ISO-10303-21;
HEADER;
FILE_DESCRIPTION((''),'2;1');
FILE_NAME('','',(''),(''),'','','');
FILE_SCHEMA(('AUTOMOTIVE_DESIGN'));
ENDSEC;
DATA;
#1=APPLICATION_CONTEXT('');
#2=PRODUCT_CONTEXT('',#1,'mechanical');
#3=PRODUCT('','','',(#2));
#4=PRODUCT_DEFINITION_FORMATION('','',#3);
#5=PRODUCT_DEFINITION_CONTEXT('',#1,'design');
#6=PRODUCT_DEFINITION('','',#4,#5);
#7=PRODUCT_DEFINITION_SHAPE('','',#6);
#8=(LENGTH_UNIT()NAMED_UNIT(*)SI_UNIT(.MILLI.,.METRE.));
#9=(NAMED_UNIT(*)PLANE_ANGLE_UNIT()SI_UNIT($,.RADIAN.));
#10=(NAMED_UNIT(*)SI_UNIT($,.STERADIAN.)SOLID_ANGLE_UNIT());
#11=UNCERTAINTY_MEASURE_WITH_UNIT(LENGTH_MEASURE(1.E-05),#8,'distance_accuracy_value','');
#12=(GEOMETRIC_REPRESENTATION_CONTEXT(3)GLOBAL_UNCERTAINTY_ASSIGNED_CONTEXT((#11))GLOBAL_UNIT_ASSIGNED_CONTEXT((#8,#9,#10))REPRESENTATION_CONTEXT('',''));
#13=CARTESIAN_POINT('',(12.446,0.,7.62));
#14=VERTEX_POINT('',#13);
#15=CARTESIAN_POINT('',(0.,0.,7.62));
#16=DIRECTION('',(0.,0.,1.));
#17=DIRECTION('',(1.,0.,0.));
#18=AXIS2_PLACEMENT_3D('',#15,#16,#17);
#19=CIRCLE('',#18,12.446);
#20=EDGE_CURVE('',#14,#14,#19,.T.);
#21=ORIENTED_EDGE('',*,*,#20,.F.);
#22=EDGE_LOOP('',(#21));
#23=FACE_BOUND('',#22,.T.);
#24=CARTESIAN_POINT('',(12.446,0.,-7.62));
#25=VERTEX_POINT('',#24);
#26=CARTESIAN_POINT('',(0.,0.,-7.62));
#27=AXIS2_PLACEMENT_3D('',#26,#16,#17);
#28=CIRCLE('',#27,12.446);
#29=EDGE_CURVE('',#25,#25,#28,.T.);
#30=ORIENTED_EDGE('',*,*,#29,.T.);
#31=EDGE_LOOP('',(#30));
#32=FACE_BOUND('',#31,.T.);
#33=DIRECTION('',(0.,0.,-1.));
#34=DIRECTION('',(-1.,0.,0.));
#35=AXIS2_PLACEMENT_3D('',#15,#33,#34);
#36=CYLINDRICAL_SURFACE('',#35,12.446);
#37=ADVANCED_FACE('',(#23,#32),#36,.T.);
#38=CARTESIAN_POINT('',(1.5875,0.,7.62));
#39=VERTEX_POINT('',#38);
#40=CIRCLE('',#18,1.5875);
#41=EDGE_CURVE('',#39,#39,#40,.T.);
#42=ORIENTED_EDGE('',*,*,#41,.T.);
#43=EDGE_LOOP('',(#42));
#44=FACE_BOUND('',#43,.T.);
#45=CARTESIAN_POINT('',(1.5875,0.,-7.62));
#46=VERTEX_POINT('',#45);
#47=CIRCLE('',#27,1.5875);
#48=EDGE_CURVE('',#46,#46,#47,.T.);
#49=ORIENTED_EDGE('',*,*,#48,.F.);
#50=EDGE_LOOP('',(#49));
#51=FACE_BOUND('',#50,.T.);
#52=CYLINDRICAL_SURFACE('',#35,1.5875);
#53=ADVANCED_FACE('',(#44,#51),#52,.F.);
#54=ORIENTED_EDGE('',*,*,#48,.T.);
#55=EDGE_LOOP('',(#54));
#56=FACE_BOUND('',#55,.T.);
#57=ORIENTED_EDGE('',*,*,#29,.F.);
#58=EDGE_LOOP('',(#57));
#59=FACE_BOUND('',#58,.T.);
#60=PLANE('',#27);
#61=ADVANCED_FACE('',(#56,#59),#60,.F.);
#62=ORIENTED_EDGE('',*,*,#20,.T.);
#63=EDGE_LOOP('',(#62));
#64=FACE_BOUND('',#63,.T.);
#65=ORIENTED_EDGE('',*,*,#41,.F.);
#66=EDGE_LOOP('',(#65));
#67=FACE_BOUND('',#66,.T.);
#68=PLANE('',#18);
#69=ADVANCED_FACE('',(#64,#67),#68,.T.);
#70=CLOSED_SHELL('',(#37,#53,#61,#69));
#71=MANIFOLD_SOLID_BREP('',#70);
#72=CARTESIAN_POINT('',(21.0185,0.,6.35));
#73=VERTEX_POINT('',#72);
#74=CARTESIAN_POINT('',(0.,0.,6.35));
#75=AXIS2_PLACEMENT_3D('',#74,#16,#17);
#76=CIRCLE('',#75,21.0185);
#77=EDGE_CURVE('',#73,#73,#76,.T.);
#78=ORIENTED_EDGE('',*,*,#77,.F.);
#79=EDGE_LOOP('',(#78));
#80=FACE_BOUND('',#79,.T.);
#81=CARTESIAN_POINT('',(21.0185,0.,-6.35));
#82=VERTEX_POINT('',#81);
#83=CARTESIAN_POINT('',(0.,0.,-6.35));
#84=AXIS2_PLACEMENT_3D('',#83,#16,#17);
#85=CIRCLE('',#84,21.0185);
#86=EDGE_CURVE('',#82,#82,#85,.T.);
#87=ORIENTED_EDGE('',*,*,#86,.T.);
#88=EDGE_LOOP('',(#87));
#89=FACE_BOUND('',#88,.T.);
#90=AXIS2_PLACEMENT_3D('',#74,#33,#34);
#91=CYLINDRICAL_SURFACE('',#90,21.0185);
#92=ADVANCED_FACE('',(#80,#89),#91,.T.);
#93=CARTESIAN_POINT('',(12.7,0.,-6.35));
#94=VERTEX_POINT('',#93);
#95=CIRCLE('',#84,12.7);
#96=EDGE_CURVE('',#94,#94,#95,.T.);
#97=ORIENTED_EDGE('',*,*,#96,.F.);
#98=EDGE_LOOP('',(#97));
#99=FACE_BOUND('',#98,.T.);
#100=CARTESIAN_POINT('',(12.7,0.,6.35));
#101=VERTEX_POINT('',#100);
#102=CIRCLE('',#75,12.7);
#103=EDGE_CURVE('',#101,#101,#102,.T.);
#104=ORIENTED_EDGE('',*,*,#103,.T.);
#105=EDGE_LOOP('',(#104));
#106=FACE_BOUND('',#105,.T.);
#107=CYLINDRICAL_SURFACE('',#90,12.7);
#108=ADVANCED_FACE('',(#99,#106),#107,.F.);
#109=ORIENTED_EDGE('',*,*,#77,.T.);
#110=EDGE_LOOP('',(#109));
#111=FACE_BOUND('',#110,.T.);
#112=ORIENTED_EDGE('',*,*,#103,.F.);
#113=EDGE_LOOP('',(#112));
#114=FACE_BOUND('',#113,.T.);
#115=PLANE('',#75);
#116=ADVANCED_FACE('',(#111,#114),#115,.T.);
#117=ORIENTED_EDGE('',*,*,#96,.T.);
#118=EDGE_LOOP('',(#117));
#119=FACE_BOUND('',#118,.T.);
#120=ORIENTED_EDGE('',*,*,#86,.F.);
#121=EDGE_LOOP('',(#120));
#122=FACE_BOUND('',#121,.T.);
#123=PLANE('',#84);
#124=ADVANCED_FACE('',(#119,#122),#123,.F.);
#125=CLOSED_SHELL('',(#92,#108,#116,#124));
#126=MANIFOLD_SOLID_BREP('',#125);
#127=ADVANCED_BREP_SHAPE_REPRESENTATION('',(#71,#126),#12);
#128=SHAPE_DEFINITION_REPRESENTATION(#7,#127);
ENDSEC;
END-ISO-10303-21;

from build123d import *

# Parameters (mm, degrees)
SKETCH1_R           = 12.446
SKETCH1_R_2         = 1.5875
BOSS_EXTRUDE1_DEPTH = 7.62
SKETCH2_R           = 21.0185
SKETCH2_R_2         = 12.7
BOSS_EXTRUDE2_DEPTH = 6.35


with BuildPart() as part:
    # Sketch1 → Boss-Extrude1 (new body, symmetric)
    with BuildSketch(Plane.XY):
        Circle(SKETCH1_R)
        Circle(SKETCH1_R_2, mode=Mode.SUBTRACT)
    extrude(amount=BOSS_EXTRUDE1_DEPTH, both=True)


with BuildPart() as body_2:
    # Sketch2 → Boss-Extrude2 (new body, symmetric)
    with BuildSketch(Plane.XY):
        Circle(SKETCH2_R)
        Circle(SKETCH2_R_2, mode=Mode.SUBTRACT)
    extrude(amount=BOSS_EXTRUDE2_DEPTH, both=True)


solid = Compound([part.part, body_2.part])
